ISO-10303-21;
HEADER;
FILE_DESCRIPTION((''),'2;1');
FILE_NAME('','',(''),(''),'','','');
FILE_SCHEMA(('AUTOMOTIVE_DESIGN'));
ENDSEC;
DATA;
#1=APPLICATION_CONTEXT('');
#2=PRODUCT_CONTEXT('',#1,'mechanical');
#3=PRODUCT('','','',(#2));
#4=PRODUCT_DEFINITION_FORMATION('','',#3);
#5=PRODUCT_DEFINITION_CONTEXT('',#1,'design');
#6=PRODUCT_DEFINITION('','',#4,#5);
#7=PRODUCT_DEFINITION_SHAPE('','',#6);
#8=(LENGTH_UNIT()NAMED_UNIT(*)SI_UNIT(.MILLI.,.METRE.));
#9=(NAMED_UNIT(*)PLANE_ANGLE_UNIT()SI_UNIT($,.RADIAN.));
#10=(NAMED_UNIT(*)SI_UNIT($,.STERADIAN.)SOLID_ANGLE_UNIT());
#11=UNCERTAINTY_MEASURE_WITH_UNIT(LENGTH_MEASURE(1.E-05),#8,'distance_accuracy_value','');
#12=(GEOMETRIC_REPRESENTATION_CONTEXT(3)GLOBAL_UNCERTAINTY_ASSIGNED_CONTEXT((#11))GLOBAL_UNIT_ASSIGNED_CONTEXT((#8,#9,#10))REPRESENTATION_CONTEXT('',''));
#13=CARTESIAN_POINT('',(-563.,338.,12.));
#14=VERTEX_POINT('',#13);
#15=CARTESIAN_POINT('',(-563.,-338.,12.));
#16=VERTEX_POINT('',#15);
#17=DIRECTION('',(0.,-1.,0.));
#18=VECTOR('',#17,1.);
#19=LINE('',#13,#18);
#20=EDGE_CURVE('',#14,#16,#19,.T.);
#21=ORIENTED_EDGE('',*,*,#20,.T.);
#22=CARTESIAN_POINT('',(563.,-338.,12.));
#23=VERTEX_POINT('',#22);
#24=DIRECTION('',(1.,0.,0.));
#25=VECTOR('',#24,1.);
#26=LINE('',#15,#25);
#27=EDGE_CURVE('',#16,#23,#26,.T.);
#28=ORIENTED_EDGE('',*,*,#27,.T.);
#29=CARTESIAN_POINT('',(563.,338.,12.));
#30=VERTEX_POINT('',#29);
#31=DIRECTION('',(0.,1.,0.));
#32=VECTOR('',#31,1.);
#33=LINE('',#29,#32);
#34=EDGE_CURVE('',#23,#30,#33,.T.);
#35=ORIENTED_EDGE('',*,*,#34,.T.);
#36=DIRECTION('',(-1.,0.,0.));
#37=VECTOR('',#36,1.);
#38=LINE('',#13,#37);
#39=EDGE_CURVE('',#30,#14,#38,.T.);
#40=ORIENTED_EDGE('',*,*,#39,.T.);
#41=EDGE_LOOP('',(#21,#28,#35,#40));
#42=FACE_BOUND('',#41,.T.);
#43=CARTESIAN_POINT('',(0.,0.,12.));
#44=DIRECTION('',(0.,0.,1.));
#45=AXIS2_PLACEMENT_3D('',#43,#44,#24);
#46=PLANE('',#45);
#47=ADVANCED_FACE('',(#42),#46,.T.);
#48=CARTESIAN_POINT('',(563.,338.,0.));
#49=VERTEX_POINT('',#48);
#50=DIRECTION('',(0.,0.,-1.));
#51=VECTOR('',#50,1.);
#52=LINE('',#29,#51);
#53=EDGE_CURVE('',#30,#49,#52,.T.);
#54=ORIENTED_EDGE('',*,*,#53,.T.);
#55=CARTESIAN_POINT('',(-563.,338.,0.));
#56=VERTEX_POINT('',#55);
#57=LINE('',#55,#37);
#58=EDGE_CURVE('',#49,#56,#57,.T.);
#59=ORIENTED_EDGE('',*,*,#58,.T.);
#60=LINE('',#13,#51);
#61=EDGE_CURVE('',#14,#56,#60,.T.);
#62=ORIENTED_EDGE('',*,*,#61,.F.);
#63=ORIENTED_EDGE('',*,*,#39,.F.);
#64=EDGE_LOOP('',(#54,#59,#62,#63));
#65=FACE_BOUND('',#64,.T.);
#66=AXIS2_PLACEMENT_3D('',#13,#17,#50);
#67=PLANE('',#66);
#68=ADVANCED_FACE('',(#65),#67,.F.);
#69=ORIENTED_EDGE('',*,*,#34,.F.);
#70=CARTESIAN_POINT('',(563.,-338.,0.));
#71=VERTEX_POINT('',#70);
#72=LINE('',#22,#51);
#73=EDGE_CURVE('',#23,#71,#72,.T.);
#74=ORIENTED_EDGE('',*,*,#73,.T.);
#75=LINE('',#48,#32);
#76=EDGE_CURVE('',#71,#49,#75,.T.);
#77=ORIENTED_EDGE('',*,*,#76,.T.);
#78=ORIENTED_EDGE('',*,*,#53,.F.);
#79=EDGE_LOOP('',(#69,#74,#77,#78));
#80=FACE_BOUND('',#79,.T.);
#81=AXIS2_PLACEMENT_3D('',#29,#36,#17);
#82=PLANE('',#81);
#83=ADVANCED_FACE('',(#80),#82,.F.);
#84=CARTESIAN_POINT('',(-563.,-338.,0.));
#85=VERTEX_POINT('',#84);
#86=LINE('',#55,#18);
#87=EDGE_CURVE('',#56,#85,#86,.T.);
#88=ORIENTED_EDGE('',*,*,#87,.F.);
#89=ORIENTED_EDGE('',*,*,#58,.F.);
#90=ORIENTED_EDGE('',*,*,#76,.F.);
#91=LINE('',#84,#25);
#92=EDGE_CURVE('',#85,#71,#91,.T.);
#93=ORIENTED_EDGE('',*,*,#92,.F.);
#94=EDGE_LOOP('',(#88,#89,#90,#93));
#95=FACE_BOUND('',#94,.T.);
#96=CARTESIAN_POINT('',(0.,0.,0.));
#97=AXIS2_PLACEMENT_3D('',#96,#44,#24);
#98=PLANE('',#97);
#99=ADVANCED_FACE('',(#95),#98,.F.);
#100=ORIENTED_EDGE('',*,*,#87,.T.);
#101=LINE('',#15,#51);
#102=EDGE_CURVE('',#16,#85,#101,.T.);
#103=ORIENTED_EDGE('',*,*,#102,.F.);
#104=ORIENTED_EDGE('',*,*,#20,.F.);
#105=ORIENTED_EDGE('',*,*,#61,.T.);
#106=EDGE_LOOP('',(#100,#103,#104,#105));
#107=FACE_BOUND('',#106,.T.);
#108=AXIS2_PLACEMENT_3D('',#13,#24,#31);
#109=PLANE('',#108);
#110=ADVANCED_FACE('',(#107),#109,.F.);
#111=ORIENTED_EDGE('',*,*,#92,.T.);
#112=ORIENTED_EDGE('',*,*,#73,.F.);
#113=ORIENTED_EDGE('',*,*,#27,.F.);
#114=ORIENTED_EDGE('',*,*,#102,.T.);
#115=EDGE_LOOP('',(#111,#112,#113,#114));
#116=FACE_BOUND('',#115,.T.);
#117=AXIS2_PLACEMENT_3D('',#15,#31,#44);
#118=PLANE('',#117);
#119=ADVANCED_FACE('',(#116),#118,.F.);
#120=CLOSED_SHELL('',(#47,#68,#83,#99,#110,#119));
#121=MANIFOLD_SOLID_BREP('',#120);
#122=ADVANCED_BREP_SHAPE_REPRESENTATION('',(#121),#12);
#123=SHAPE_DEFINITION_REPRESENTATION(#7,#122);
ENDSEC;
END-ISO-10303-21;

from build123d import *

# Parameters (mm, degrees)
ESQUISSE1_W        = 1126
ESQUISSE1_H        = 676
BOSS_EXTRU_1_DEPTH = 12


with BuildPart() as part:
    # Esquisse1 → Boss.-Extru.1 (new body)
    with BuildSketch(Plane.XY):
        Rectangle(ESQUISSE1_W, ESQUISSE1_H)
    extrude(amount=BOSS_EXTRU_1_DEPTH)


solid = part.part
